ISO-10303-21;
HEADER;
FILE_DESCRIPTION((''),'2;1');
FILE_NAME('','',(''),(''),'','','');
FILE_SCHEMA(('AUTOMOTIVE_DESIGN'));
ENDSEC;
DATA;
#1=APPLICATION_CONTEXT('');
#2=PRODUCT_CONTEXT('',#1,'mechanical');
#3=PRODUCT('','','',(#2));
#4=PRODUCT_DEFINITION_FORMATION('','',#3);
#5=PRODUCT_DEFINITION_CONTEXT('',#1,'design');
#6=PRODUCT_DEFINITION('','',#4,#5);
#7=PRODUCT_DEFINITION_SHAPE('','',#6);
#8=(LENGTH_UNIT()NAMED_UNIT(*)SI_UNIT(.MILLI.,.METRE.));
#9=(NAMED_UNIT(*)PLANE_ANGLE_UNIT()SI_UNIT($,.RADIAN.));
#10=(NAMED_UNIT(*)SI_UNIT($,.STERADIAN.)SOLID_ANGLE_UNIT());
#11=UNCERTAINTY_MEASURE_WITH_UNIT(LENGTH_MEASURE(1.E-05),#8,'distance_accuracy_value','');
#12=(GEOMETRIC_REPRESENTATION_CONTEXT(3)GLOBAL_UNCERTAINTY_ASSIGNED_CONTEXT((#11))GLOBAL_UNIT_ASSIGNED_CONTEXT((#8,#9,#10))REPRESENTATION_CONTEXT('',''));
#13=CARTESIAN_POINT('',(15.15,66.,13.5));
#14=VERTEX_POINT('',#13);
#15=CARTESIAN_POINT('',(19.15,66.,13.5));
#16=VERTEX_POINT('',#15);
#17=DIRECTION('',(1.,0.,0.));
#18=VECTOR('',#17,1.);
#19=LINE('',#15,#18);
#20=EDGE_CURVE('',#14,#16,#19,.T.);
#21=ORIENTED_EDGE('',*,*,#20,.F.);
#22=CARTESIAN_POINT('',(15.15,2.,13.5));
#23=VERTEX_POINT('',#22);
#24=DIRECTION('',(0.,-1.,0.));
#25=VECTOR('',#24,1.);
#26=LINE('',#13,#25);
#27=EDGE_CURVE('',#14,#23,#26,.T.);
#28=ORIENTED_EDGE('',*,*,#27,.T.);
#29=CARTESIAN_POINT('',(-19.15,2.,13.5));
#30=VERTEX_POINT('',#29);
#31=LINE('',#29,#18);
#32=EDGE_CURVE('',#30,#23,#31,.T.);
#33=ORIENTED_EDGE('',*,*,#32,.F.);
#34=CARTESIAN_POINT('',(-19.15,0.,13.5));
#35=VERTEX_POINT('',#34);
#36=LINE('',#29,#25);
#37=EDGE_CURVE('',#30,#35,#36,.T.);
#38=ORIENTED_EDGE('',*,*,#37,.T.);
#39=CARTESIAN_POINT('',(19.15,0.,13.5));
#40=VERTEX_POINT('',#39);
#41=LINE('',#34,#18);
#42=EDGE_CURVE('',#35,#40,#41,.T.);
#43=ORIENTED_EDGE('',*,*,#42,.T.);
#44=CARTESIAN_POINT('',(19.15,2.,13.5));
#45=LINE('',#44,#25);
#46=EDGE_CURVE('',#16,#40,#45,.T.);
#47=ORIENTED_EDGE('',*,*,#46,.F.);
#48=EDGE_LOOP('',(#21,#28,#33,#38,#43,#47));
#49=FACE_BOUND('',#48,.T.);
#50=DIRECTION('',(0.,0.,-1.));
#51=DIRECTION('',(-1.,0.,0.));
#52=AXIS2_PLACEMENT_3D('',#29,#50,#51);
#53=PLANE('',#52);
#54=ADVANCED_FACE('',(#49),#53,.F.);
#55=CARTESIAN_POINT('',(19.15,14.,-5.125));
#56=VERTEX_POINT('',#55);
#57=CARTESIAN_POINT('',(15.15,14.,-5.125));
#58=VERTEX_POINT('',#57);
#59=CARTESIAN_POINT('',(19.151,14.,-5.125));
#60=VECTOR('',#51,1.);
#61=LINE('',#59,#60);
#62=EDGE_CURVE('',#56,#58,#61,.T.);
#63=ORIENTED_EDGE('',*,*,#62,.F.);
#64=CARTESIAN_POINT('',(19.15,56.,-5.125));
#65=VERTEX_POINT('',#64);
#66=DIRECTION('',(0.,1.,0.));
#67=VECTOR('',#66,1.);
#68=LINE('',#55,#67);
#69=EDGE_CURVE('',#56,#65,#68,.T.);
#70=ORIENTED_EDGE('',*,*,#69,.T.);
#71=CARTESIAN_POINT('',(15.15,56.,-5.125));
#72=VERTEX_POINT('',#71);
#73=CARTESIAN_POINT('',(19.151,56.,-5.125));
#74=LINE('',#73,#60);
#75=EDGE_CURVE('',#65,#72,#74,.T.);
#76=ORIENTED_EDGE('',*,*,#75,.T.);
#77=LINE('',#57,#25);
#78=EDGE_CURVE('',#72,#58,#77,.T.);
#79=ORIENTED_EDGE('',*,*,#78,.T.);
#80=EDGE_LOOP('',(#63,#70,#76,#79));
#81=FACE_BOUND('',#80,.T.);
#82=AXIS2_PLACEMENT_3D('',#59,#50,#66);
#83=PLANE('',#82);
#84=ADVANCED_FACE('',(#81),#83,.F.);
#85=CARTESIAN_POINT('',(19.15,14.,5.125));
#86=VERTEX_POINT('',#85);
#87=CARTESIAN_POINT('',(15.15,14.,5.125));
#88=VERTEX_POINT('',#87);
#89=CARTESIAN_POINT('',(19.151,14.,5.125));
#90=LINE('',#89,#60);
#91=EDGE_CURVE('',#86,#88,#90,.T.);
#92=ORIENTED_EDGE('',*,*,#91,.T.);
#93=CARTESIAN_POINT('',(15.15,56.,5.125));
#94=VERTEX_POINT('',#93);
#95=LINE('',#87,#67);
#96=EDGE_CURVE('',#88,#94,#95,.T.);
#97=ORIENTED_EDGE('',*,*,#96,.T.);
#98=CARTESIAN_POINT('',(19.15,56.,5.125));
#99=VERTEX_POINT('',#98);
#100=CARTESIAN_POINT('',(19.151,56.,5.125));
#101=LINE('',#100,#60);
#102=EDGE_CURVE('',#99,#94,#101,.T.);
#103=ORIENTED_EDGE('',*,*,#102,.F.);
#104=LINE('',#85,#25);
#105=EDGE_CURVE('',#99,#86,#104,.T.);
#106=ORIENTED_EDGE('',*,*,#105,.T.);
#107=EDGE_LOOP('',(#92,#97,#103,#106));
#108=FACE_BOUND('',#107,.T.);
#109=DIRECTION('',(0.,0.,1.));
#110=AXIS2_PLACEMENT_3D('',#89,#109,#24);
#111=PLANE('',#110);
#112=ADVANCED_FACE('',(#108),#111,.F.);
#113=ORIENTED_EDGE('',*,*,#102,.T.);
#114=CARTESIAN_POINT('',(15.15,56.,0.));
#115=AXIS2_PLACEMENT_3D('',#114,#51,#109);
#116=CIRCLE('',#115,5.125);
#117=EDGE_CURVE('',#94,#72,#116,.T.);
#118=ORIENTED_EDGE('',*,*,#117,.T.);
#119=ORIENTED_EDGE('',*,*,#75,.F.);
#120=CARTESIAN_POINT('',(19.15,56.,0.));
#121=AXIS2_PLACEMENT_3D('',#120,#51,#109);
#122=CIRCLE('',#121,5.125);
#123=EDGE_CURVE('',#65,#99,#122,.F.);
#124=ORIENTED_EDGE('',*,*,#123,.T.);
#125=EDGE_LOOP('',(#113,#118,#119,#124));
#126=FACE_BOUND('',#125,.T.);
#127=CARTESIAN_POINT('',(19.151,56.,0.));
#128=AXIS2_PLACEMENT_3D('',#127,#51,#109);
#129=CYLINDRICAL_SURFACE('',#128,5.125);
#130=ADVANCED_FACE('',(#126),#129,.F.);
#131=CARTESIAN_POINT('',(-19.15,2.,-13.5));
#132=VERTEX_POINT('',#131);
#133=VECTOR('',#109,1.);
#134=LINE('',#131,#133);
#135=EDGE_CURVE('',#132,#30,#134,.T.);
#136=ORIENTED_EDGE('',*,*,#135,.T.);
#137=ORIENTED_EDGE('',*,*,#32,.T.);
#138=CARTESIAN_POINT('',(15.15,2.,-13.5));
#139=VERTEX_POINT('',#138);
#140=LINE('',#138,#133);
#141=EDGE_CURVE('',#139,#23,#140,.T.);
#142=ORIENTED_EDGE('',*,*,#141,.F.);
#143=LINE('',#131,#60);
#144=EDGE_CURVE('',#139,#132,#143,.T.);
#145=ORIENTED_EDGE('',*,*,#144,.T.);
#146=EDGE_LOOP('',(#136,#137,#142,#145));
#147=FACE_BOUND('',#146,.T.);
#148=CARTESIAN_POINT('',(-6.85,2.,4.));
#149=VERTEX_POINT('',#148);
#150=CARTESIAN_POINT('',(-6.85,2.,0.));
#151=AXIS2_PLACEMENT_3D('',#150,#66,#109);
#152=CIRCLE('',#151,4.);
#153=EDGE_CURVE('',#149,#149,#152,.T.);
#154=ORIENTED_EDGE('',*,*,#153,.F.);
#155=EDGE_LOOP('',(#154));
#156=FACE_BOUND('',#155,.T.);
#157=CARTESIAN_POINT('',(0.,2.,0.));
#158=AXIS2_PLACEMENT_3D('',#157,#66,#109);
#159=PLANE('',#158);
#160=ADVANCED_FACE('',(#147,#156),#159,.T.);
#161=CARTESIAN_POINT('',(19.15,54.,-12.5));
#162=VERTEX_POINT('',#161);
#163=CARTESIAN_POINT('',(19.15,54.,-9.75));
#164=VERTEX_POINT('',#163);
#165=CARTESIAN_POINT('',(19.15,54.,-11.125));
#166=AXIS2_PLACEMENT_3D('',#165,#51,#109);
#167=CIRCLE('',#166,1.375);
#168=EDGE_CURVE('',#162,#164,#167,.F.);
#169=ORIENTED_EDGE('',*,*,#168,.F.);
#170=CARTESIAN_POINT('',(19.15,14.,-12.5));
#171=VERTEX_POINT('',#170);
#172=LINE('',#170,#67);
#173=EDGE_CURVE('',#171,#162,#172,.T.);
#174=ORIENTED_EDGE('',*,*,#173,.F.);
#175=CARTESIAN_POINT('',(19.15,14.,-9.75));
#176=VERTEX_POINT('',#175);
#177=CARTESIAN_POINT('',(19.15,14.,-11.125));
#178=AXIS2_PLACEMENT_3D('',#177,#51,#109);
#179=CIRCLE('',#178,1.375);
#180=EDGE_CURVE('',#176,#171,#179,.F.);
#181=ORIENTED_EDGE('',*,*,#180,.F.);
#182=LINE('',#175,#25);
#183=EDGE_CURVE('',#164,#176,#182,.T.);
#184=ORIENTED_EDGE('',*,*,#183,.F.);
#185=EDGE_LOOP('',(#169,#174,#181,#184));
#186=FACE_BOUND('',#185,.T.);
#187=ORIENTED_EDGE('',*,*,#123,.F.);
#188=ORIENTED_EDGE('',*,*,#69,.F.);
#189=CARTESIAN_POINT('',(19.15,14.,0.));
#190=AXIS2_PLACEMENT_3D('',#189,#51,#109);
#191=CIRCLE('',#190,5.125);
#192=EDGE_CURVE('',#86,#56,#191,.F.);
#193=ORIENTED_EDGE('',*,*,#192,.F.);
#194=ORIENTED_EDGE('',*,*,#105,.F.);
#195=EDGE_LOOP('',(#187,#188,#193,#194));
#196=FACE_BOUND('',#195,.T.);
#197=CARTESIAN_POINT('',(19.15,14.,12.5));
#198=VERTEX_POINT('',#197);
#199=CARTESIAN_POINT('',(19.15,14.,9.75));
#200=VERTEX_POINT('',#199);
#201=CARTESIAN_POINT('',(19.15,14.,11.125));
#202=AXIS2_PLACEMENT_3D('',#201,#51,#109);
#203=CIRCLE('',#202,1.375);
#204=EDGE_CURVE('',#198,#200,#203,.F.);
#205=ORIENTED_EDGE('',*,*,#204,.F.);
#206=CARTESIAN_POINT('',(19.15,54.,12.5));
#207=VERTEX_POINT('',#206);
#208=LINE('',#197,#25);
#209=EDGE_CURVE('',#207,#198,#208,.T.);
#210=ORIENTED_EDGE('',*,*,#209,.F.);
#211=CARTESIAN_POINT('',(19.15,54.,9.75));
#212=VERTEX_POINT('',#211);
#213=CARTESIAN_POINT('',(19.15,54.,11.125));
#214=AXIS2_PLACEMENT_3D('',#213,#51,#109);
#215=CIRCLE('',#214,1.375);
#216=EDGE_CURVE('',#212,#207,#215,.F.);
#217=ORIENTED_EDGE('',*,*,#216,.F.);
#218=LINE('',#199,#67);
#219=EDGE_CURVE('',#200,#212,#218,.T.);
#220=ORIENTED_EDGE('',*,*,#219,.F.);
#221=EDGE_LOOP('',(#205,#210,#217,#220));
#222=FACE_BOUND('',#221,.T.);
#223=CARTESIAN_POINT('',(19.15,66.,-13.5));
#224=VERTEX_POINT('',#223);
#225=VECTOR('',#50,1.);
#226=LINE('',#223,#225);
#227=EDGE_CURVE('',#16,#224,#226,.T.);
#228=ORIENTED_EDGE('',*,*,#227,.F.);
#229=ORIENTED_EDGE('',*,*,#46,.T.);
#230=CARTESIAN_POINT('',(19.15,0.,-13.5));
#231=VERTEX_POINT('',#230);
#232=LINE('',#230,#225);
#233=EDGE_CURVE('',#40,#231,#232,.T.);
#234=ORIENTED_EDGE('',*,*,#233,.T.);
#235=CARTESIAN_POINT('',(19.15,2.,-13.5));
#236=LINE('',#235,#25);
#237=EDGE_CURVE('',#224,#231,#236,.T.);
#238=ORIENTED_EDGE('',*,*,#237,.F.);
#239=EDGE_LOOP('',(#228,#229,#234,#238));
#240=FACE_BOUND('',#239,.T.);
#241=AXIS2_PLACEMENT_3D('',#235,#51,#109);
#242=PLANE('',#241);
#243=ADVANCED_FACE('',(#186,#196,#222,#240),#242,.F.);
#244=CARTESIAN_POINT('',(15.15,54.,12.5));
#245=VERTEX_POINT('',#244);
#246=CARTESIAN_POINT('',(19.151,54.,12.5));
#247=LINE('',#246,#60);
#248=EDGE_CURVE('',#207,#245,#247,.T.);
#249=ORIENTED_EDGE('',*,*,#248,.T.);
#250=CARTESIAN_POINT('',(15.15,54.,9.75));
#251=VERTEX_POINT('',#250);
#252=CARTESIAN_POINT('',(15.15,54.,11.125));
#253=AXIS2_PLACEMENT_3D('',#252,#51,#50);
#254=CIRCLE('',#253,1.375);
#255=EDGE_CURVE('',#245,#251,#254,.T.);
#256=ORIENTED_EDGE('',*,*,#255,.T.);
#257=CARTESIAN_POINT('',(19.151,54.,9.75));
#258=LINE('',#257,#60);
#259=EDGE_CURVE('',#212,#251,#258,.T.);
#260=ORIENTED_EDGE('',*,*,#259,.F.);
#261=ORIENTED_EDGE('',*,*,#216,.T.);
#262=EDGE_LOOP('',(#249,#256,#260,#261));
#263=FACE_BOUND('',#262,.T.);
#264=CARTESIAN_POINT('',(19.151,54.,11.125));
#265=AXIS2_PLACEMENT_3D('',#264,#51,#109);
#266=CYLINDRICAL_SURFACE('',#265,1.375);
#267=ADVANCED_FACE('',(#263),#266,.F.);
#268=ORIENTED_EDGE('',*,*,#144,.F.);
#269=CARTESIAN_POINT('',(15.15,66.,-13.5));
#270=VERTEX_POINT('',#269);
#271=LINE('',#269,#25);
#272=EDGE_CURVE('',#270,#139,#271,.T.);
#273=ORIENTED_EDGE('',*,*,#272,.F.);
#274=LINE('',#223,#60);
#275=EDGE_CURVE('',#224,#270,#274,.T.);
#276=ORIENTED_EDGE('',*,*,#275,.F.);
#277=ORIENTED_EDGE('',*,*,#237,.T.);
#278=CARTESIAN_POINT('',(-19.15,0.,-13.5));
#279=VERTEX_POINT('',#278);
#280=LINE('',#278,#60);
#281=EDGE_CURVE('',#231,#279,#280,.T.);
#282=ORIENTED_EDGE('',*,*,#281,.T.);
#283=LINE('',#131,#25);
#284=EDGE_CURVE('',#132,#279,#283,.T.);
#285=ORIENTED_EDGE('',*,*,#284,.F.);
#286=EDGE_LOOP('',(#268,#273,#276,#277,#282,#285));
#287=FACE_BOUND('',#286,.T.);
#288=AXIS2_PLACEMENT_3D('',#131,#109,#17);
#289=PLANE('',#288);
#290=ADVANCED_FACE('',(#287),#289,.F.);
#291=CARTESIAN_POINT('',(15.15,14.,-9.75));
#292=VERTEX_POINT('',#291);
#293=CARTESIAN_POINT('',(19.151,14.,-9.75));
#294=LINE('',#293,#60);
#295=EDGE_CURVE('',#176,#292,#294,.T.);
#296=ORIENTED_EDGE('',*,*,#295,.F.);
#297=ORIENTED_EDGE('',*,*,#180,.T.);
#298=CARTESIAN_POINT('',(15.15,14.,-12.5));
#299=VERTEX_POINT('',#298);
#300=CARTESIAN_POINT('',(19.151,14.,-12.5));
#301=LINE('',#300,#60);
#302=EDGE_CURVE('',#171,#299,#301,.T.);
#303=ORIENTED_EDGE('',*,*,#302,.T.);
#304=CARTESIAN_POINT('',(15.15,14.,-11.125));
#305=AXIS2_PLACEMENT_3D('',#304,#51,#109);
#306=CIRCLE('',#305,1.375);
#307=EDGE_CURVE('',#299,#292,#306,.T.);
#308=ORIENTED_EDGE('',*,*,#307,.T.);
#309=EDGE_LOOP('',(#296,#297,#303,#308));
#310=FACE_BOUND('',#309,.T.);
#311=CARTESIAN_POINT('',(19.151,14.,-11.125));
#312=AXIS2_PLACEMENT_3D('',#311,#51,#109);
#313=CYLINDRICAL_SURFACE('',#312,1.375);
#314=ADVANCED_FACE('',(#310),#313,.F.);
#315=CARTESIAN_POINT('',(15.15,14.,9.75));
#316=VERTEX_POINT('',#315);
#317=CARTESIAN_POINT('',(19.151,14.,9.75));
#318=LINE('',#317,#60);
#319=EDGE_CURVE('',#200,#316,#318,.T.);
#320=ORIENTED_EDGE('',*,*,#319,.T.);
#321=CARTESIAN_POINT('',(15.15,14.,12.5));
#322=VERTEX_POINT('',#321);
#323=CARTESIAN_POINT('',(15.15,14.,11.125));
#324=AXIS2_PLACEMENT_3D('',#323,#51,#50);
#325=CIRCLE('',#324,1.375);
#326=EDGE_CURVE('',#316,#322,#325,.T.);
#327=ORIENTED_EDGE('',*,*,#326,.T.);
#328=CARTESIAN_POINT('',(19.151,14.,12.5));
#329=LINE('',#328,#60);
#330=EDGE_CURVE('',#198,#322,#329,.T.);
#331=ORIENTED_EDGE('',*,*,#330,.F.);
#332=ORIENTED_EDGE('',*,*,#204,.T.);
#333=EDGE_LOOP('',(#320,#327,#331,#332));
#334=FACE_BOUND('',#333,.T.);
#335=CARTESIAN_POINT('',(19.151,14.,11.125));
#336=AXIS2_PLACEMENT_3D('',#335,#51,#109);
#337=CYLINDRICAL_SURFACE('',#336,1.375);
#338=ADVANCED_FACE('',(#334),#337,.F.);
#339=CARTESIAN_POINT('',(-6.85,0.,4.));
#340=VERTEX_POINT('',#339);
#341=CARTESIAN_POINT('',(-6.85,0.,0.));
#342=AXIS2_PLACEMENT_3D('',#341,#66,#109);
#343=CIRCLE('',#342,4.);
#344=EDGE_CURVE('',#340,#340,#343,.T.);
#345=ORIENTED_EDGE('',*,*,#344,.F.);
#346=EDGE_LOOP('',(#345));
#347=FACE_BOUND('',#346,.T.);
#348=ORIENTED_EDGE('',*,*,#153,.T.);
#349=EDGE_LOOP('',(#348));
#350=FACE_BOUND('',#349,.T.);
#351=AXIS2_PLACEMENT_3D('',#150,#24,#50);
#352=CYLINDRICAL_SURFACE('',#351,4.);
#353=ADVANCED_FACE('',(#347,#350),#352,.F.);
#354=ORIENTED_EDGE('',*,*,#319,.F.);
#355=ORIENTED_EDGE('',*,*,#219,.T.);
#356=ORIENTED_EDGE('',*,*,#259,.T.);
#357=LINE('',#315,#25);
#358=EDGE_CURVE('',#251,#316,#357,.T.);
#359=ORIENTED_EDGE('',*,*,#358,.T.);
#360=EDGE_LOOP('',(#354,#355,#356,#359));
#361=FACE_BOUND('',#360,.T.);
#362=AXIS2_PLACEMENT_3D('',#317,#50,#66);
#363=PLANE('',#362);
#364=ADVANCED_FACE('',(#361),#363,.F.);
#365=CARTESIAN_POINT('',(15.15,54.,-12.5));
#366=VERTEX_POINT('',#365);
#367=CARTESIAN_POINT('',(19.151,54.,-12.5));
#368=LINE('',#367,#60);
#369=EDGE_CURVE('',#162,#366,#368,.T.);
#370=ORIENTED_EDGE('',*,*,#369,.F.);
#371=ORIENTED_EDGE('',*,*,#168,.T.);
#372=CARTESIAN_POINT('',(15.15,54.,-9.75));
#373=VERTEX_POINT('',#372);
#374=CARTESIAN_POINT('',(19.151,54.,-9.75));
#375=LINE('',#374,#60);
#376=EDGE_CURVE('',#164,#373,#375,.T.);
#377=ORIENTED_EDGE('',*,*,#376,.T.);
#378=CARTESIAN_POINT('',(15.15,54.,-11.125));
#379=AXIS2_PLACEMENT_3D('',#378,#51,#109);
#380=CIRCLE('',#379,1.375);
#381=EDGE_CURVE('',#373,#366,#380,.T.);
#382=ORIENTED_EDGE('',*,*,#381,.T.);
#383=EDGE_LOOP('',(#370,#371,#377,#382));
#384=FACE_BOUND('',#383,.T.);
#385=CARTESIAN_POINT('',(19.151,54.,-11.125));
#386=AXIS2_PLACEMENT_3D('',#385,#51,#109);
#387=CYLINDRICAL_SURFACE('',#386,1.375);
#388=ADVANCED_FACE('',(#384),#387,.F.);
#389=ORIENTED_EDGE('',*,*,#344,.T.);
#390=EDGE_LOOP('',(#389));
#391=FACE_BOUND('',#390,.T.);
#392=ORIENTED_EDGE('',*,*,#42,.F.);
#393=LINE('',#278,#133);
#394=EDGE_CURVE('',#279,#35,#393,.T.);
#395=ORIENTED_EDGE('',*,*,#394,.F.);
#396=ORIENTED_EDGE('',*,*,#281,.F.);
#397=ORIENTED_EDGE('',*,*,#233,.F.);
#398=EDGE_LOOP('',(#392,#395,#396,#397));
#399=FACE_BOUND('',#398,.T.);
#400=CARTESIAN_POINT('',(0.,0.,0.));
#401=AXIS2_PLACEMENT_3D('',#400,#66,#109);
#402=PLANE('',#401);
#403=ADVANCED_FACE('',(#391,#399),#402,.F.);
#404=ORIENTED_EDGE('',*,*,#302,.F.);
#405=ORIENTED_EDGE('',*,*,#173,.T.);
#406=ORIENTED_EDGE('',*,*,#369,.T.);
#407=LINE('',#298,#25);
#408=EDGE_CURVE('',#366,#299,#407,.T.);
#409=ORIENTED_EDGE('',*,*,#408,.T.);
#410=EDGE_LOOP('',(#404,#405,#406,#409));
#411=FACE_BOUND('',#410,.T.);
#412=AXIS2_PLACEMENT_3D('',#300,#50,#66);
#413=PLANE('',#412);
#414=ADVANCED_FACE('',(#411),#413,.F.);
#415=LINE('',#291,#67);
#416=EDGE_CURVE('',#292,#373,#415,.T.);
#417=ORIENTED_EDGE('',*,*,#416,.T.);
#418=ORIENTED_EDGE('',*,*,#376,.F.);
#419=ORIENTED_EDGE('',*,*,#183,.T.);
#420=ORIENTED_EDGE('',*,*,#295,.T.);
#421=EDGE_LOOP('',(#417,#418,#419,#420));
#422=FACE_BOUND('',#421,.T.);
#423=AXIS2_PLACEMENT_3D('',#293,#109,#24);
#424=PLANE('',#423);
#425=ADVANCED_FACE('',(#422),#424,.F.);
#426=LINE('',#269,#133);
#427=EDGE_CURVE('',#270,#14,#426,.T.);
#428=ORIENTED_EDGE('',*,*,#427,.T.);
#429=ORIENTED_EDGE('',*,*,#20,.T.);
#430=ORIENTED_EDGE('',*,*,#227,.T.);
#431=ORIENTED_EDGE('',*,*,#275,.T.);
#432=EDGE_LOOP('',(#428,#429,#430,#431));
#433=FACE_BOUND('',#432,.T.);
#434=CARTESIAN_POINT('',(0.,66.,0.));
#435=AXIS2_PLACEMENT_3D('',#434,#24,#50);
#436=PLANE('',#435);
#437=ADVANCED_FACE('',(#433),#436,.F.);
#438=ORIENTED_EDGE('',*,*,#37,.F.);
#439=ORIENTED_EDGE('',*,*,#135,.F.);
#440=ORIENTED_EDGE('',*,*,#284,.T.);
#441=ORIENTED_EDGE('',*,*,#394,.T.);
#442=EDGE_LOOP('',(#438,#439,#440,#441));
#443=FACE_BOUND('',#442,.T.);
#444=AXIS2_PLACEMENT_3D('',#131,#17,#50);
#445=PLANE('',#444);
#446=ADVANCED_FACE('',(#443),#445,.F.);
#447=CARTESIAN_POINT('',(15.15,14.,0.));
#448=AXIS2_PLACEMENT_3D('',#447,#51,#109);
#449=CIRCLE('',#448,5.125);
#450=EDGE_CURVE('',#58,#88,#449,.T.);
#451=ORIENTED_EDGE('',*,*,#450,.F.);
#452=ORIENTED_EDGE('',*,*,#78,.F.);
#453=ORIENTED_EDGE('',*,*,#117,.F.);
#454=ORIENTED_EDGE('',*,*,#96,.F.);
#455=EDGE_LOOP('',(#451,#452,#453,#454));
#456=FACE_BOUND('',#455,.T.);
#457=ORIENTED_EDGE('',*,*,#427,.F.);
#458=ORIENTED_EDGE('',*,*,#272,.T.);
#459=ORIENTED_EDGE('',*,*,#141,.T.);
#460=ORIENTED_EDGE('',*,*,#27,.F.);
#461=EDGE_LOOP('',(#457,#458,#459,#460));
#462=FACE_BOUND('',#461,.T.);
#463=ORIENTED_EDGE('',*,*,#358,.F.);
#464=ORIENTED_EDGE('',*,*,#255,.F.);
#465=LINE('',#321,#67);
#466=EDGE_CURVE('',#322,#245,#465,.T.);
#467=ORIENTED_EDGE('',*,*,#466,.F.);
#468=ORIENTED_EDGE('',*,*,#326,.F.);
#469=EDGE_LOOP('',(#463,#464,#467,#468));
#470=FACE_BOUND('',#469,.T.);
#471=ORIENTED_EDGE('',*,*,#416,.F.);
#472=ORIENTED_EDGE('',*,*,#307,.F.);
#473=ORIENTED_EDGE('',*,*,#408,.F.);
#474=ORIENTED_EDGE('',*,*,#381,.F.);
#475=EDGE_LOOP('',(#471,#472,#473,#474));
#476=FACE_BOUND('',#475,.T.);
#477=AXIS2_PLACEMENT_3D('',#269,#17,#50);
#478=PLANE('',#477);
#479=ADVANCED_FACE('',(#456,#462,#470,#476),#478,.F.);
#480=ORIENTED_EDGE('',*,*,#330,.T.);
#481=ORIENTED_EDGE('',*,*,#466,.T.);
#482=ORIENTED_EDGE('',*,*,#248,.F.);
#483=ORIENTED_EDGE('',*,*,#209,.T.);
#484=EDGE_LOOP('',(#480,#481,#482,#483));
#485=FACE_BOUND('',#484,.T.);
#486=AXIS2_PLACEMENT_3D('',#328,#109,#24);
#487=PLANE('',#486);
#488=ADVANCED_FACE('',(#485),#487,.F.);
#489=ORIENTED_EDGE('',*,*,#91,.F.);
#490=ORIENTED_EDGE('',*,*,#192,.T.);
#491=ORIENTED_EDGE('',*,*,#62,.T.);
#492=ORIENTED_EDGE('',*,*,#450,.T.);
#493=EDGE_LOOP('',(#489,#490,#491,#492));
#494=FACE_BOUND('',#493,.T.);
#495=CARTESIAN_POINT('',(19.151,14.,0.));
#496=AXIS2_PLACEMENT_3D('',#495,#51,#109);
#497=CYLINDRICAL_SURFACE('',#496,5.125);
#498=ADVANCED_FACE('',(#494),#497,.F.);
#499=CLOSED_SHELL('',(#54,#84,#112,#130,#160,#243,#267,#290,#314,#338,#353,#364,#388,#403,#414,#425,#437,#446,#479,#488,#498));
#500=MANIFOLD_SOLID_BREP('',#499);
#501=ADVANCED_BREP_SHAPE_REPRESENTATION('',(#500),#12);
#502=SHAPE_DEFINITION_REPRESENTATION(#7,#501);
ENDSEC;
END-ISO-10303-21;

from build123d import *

# Parameters (mm, degrees)
SKETCH1_W           = 38.3
SKETCH1_H           = 27
SKETCH1_R           = 4
BOSS_EXTRUDE1_DEPTH = 2
SKETCH2_W           = 4
SKETCH2_H           = 27
BOSS_EXTRUDE2_DEPTH = 64
CUT_EXTRUDE1_REACH  = 6


with BuildPart() as part:
    # Sketch1 → Boss-Extrude1 (new body)
    with BuildSketch(Plane(origin=(0, 0, 0), x_dir=(1, 0, 0), z_dir=(0, 1, 0))):
        Rectangle(SKETCH1_W, SKETCH1_H)
        with Locations((-6.85, 0)):
            Circle(SKETCH1_R, mode=Mode.SUBTRACT)
    extrude(amount=BOSS_EXTRUDE1_DEPTH)

    # Sketch2 → Boss-Extrude2 (add)
    with BuildSketch(Plane(origin=(0, 2, 0), x_dir=(1, 0, 0), z_dir=(0, 1, 0))):
        with Locations((17.15, 0)):
            Rectangle(SKETCH2_W, SKETCH2_H)
    extrude(amount=BOSS_EXTRUDE2_DEPTH)

    # Sketch3 → Cut-Extrude1 (cut, up to next)
    with BuildSketch(Plane.ZY.offset(-15.15), mode=Mode.PRIVATE) as cut_extrude1_sk1:
        with BuildLine():
            Line((-12.5, 14), (-12.5, 54))
            ThreePointArc((-12.5, 54), (-11.125, 55.375), (-9.75, 54))
            Line((-9.75, 54), (-9.75, 14))
            ThreePointArc((-9.75, 14), (-11.125, 12.625), (-12.5, 14))
        make_face()
    cut_extrude1_tool1 = extrude(cut_extrude1_sk1.sketch, amount=-CUT_EXTRUDE1_REACH, mode=Mode.PRIVATE) & part.part
    add(cut_extrude1_tool1.solids().sort_by_distance((15.15, 34, -11.125))[0], mode=Mode.SUBTRACT)
    # Sketch3 → Cut-Extrude1 (cut, up to next)
    with BuildSketch(Plane.ZY.offset(-15.15), mode=Mode.PRIVATE) as cut_extrude1_sk2:
        with BuildLine():
            Line((12.5, 14), (12.5, 54))
            ThreePointArc((12.5, 54), (11.125, 55.375), (9.75, 54))
            Line((9.75, 54), (9.75, 14))
            ThreePointArc((9.75, 14), (11.125, 12.625), (12.5, 14))
        make_face()
    cut_extrude1_tool2 = extrude(cut_extrude1_sk2.sketch, amount=-CUT_EXTRUDE1_REACH, mode=Mode.PRIVATE) & part.part
    add(cut_extrude1_tool2.solids().sort_by_distance((15.15, 34, 11.125))[0], mode=Mode.SUBTRACT)
    # Sketch3 → Cut-Extrude1 (cut, up to next)
    with BuildSketch(Plane.ZY.offset(-15.15), mode=Mode.PRIVATE) as cut_extrude1_sk3:
        with BuildLine():
            Line((-5.125, 14), (-5.125, 56))
            ThreePointArc((-5.125, 56), (0, 61.125), (5.125, 56))
            Line((5.125, 56), (5.125, 14))
            ThreePointArc((5.125, 14), (0, 8.875), (-5.125, 14))
        make_face()
    cut_extrude1_tool3 = extrude(cut_extrude1_sk3.sketch, amount=-CUT_EXTRUDE1_REACH, mode=Mode.PRIVATE) & part.part
    add(cut_extrude1_tool3.solids().sort_by_distance((15.15, 35, 0))[0], mode=Mode.SUBTRACT)


solid = part.part
